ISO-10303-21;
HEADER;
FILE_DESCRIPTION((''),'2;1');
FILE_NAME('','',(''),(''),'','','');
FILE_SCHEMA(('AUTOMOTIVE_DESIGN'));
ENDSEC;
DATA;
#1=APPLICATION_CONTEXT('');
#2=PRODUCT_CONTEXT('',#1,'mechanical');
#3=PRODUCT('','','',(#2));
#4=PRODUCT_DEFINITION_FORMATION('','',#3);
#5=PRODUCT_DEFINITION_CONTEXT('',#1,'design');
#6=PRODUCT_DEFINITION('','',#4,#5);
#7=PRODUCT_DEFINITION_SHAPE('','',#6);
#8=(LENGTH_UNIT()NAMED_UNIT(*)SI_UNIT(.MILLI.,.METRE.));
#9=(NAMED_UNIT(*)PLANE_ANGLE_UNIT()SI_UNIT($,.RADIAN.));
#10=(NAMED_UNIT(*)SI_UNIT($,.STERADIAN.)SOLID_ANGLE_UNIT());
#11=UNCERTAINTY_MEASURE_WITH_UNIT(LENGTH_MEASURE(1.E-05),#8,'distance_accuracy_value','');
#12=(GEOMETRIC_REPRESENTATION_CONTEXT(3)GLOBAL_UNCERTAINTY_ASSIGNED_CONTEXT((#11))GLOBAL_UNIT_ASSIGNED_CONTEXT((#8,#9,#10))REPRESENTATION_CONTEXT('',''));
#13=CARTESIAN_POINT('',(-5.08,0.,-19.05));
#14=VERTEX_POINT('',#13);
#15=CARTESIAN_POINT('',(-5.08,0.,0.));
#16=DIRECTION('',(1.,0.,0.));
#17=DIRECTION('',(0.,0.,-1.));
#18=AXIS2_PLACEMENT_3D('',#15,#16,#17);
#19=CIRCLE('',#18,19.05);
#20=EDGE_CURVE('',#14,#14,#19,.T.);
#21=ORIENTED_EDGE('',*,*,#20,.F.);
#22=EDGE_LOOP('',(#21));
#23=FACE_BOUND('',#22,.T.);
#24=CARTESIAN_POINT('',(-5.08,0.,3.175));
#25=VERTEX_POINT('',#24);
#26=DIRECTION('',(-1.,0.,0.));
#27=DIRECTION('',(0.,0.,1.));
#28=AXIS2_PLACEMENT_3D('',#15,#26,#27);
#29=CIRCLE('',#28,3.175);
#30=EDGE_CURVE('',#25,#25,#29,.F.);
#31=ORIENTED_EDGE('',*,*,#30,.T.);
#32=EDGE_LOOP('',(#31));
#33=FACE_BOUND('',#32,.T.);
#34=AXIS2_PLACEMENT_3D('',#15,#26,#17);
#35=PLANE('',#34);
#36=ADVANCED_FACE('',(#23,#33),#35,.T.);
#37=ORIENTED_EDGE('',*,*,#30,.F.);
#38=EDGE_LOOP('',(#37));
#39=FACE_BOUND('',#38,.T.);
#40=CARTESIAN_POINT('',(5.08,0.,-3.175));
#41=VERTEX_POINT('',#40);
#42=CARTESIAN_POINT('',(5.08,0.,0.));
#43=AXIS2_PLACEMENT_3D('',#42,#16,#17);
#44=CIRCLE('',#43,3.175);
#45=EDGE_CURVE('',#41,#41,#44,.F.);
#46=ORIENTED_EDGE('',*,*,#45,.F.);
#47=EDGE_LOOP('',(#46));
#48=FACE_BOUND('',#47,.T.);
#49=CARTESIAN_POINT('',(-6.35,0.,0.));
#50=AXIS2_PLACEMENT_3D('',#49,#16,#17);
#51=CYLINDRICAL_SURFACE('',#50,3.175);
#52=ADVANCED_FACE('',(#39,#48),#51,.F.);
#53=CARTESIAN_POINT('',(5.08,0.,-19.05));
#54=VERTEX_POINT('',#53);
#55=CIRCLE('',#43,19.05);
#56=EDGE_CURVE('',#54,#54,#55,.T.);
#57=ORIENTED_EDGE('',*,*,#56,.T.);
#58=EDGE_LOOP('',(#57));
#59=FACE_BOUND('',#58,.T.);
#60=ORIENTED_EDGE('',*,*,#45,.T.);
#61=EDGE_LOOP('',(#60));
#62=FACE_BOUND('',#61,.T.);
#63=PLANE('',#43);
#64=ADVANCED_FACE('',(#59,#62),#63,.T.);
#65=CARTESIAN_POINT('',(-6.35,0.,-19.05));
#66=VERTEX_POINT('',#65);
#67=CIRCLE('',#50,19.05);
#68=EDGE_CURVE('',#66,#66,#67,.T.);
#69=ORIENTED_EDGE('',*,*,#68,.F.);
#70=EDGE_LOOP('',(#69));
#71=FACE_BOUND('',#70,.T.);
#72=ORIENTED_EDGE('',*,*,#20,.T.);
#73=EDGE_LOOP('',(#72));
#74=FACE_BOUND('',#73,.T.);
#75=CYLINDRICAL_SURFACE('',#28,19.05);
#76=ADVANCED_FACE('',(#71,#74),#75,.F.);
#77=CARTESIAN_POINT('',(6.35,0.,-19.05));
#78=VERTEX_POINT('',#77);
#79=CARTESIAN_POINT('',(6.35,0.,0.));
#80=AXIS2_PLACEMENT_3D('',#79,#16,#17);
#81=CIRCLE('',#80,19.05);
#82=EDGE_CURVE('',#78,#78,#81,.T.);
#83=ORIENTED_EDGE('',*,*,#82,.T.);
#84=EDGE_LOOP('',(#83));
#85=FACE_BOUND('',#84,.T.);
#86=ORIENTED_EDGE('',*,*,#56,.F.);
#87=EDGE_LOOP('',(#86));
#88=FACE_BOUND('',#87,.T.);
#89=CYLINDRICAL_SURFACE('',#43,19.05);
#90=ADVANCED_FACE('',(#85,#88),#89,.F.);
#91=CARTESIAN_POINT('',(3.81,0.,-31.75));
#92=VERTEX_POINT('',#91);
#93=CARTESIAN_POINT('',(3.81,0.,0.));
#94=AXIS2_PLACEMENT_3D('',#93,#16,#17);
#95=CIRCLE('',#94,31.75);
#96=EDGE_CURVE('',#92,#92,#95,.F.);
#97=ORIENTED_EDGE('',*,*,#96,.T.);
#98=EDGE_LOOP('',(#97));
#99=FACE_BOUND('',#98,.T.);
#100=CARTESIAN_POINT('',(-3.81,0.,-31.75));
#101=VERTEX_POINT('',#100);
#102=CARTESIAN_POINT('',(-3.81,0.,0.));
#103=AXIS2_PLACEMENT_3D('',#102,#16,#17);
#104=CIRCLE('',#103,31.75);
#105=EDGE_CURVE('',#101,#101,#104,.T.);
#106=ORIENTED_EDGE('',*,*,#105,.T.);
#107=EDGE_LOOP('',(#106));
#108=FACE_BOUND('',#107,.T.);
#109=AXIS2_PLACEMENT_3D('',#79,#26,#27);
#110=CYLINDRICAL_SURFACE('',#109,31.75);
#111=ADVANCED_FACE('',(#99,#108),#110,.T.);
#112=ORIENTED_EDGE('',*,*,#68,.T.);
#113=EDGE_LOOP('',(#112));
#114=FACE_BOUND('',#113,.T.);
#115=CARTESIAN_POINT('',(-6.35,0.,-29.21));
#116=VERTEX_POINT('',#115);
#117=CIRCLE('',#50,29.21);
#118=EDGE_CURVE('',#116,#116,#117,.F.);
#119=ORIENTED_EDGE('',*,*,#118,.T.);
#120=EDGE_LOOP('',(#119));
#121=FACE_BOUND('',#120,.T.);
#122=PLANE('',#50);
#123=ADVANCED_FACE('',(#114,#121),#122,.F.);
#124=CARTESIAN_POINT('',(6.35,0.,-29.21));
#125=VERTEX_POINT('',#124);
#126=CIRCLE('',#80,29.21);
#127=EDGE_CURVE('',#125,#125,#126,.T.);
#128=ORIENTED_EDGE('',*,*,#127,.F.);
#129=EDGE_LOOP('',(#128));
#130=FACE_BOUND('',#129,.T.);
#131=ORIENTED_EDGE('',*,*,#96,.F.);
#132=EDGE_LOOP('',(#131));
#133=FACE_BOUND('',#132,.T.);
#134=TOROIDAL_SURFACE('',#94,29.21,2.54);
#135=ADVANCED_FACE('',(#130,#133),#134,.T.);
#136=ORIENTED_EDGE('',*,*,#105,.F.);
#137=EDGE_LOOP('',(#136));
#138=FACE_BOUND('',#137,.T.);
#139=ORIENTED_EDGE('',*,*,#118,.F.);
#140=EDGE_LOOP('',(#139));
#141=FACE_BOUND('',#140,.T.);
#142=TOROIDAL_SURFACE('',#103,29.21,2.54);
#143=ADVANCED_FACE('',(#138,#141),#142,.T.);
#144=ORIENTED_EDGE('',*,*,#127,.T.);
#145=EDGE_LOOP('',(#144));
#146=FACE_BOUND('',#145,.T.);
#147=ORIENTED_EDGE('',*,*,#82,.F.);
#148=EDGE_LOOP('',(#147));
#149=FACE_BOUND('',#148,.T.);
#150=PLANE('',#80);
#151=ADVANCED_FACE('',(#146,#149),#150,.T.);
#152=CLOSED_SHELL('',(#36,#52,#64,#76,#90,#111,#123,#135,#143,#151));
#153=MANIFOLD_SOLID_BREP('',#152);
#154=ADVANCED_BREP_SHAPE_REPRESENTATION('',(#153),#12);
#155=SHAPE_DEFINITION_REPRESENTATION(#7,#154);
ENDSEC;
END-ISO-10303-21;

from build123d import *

# Parameters (mm, degrees)
SKETCH1_R           = 31.75
BOSS_EXTRUDE1_DEPTH = 6.35
SKETCH2_R           = 3.175
CUT_EXTRUDE1_DEPTH  = 47.6627796
FILLET1_R           = 2.54
SKETCH3_R           = 19.05
CUT_EXTRUDE2_DEPTH  = 1.27


with BuildPart() as part:
    # Sketch1 → Boss-Extrude1 (new, symmetric)
    with BuildSketch(Plane(origin=(0, 0, 0), x_dir=(0, 0, -1), z_dir=(1, 0, 0))):
        Circle(SKETCH1_R)
    extrude(amount=BOSS_EXTRUDE1_DEPTH, both=True)

    # Sketch2 → Cut-Extrude1 (cut, through all)
    with BuildSketch(Plane(origin=(6.35, 0, 0), x_dir=(0, 0, -1), z_dir=(1, 0, 0))):
        Circle(SKETCH2_R)
    extrude(amount=-CUT_EXTRUDE1_DEPTH, mode=Mode.SUBTRACT)

    # Fillet1
    fillet1_edges = [part.edges().sort_by_distance(p)[0] for p in [
        (-6.35, 0, 31.75),
        (6.35, 0, 31.75),
    ]]
    fillet(fillet1_edges, radius=FILLET1_R)

    # Sketch3 → Cut-Extrude2 (cut)
    with BuildSketch(Plane(origin=(6.35, 0, 0), x_dir=(0, 0, -1), z_dir=(1, 0, 0))):
        Circle(SKETCH3_R)
    cut_extrude2 = extrude(amount=-CUT_EXTRUDE2_DEPTH, mode=Mode.SUBTRACT)

    # Mirror1: Cut-Extrude2 across plane
    add(cut_extrude2.mirror(Plane(origin=(0, 0, 0), x_dir=(0, 0, 1), z_dir=(1, 0, 0))), mode=Mode.SUBTRACT)


solid = part.part
